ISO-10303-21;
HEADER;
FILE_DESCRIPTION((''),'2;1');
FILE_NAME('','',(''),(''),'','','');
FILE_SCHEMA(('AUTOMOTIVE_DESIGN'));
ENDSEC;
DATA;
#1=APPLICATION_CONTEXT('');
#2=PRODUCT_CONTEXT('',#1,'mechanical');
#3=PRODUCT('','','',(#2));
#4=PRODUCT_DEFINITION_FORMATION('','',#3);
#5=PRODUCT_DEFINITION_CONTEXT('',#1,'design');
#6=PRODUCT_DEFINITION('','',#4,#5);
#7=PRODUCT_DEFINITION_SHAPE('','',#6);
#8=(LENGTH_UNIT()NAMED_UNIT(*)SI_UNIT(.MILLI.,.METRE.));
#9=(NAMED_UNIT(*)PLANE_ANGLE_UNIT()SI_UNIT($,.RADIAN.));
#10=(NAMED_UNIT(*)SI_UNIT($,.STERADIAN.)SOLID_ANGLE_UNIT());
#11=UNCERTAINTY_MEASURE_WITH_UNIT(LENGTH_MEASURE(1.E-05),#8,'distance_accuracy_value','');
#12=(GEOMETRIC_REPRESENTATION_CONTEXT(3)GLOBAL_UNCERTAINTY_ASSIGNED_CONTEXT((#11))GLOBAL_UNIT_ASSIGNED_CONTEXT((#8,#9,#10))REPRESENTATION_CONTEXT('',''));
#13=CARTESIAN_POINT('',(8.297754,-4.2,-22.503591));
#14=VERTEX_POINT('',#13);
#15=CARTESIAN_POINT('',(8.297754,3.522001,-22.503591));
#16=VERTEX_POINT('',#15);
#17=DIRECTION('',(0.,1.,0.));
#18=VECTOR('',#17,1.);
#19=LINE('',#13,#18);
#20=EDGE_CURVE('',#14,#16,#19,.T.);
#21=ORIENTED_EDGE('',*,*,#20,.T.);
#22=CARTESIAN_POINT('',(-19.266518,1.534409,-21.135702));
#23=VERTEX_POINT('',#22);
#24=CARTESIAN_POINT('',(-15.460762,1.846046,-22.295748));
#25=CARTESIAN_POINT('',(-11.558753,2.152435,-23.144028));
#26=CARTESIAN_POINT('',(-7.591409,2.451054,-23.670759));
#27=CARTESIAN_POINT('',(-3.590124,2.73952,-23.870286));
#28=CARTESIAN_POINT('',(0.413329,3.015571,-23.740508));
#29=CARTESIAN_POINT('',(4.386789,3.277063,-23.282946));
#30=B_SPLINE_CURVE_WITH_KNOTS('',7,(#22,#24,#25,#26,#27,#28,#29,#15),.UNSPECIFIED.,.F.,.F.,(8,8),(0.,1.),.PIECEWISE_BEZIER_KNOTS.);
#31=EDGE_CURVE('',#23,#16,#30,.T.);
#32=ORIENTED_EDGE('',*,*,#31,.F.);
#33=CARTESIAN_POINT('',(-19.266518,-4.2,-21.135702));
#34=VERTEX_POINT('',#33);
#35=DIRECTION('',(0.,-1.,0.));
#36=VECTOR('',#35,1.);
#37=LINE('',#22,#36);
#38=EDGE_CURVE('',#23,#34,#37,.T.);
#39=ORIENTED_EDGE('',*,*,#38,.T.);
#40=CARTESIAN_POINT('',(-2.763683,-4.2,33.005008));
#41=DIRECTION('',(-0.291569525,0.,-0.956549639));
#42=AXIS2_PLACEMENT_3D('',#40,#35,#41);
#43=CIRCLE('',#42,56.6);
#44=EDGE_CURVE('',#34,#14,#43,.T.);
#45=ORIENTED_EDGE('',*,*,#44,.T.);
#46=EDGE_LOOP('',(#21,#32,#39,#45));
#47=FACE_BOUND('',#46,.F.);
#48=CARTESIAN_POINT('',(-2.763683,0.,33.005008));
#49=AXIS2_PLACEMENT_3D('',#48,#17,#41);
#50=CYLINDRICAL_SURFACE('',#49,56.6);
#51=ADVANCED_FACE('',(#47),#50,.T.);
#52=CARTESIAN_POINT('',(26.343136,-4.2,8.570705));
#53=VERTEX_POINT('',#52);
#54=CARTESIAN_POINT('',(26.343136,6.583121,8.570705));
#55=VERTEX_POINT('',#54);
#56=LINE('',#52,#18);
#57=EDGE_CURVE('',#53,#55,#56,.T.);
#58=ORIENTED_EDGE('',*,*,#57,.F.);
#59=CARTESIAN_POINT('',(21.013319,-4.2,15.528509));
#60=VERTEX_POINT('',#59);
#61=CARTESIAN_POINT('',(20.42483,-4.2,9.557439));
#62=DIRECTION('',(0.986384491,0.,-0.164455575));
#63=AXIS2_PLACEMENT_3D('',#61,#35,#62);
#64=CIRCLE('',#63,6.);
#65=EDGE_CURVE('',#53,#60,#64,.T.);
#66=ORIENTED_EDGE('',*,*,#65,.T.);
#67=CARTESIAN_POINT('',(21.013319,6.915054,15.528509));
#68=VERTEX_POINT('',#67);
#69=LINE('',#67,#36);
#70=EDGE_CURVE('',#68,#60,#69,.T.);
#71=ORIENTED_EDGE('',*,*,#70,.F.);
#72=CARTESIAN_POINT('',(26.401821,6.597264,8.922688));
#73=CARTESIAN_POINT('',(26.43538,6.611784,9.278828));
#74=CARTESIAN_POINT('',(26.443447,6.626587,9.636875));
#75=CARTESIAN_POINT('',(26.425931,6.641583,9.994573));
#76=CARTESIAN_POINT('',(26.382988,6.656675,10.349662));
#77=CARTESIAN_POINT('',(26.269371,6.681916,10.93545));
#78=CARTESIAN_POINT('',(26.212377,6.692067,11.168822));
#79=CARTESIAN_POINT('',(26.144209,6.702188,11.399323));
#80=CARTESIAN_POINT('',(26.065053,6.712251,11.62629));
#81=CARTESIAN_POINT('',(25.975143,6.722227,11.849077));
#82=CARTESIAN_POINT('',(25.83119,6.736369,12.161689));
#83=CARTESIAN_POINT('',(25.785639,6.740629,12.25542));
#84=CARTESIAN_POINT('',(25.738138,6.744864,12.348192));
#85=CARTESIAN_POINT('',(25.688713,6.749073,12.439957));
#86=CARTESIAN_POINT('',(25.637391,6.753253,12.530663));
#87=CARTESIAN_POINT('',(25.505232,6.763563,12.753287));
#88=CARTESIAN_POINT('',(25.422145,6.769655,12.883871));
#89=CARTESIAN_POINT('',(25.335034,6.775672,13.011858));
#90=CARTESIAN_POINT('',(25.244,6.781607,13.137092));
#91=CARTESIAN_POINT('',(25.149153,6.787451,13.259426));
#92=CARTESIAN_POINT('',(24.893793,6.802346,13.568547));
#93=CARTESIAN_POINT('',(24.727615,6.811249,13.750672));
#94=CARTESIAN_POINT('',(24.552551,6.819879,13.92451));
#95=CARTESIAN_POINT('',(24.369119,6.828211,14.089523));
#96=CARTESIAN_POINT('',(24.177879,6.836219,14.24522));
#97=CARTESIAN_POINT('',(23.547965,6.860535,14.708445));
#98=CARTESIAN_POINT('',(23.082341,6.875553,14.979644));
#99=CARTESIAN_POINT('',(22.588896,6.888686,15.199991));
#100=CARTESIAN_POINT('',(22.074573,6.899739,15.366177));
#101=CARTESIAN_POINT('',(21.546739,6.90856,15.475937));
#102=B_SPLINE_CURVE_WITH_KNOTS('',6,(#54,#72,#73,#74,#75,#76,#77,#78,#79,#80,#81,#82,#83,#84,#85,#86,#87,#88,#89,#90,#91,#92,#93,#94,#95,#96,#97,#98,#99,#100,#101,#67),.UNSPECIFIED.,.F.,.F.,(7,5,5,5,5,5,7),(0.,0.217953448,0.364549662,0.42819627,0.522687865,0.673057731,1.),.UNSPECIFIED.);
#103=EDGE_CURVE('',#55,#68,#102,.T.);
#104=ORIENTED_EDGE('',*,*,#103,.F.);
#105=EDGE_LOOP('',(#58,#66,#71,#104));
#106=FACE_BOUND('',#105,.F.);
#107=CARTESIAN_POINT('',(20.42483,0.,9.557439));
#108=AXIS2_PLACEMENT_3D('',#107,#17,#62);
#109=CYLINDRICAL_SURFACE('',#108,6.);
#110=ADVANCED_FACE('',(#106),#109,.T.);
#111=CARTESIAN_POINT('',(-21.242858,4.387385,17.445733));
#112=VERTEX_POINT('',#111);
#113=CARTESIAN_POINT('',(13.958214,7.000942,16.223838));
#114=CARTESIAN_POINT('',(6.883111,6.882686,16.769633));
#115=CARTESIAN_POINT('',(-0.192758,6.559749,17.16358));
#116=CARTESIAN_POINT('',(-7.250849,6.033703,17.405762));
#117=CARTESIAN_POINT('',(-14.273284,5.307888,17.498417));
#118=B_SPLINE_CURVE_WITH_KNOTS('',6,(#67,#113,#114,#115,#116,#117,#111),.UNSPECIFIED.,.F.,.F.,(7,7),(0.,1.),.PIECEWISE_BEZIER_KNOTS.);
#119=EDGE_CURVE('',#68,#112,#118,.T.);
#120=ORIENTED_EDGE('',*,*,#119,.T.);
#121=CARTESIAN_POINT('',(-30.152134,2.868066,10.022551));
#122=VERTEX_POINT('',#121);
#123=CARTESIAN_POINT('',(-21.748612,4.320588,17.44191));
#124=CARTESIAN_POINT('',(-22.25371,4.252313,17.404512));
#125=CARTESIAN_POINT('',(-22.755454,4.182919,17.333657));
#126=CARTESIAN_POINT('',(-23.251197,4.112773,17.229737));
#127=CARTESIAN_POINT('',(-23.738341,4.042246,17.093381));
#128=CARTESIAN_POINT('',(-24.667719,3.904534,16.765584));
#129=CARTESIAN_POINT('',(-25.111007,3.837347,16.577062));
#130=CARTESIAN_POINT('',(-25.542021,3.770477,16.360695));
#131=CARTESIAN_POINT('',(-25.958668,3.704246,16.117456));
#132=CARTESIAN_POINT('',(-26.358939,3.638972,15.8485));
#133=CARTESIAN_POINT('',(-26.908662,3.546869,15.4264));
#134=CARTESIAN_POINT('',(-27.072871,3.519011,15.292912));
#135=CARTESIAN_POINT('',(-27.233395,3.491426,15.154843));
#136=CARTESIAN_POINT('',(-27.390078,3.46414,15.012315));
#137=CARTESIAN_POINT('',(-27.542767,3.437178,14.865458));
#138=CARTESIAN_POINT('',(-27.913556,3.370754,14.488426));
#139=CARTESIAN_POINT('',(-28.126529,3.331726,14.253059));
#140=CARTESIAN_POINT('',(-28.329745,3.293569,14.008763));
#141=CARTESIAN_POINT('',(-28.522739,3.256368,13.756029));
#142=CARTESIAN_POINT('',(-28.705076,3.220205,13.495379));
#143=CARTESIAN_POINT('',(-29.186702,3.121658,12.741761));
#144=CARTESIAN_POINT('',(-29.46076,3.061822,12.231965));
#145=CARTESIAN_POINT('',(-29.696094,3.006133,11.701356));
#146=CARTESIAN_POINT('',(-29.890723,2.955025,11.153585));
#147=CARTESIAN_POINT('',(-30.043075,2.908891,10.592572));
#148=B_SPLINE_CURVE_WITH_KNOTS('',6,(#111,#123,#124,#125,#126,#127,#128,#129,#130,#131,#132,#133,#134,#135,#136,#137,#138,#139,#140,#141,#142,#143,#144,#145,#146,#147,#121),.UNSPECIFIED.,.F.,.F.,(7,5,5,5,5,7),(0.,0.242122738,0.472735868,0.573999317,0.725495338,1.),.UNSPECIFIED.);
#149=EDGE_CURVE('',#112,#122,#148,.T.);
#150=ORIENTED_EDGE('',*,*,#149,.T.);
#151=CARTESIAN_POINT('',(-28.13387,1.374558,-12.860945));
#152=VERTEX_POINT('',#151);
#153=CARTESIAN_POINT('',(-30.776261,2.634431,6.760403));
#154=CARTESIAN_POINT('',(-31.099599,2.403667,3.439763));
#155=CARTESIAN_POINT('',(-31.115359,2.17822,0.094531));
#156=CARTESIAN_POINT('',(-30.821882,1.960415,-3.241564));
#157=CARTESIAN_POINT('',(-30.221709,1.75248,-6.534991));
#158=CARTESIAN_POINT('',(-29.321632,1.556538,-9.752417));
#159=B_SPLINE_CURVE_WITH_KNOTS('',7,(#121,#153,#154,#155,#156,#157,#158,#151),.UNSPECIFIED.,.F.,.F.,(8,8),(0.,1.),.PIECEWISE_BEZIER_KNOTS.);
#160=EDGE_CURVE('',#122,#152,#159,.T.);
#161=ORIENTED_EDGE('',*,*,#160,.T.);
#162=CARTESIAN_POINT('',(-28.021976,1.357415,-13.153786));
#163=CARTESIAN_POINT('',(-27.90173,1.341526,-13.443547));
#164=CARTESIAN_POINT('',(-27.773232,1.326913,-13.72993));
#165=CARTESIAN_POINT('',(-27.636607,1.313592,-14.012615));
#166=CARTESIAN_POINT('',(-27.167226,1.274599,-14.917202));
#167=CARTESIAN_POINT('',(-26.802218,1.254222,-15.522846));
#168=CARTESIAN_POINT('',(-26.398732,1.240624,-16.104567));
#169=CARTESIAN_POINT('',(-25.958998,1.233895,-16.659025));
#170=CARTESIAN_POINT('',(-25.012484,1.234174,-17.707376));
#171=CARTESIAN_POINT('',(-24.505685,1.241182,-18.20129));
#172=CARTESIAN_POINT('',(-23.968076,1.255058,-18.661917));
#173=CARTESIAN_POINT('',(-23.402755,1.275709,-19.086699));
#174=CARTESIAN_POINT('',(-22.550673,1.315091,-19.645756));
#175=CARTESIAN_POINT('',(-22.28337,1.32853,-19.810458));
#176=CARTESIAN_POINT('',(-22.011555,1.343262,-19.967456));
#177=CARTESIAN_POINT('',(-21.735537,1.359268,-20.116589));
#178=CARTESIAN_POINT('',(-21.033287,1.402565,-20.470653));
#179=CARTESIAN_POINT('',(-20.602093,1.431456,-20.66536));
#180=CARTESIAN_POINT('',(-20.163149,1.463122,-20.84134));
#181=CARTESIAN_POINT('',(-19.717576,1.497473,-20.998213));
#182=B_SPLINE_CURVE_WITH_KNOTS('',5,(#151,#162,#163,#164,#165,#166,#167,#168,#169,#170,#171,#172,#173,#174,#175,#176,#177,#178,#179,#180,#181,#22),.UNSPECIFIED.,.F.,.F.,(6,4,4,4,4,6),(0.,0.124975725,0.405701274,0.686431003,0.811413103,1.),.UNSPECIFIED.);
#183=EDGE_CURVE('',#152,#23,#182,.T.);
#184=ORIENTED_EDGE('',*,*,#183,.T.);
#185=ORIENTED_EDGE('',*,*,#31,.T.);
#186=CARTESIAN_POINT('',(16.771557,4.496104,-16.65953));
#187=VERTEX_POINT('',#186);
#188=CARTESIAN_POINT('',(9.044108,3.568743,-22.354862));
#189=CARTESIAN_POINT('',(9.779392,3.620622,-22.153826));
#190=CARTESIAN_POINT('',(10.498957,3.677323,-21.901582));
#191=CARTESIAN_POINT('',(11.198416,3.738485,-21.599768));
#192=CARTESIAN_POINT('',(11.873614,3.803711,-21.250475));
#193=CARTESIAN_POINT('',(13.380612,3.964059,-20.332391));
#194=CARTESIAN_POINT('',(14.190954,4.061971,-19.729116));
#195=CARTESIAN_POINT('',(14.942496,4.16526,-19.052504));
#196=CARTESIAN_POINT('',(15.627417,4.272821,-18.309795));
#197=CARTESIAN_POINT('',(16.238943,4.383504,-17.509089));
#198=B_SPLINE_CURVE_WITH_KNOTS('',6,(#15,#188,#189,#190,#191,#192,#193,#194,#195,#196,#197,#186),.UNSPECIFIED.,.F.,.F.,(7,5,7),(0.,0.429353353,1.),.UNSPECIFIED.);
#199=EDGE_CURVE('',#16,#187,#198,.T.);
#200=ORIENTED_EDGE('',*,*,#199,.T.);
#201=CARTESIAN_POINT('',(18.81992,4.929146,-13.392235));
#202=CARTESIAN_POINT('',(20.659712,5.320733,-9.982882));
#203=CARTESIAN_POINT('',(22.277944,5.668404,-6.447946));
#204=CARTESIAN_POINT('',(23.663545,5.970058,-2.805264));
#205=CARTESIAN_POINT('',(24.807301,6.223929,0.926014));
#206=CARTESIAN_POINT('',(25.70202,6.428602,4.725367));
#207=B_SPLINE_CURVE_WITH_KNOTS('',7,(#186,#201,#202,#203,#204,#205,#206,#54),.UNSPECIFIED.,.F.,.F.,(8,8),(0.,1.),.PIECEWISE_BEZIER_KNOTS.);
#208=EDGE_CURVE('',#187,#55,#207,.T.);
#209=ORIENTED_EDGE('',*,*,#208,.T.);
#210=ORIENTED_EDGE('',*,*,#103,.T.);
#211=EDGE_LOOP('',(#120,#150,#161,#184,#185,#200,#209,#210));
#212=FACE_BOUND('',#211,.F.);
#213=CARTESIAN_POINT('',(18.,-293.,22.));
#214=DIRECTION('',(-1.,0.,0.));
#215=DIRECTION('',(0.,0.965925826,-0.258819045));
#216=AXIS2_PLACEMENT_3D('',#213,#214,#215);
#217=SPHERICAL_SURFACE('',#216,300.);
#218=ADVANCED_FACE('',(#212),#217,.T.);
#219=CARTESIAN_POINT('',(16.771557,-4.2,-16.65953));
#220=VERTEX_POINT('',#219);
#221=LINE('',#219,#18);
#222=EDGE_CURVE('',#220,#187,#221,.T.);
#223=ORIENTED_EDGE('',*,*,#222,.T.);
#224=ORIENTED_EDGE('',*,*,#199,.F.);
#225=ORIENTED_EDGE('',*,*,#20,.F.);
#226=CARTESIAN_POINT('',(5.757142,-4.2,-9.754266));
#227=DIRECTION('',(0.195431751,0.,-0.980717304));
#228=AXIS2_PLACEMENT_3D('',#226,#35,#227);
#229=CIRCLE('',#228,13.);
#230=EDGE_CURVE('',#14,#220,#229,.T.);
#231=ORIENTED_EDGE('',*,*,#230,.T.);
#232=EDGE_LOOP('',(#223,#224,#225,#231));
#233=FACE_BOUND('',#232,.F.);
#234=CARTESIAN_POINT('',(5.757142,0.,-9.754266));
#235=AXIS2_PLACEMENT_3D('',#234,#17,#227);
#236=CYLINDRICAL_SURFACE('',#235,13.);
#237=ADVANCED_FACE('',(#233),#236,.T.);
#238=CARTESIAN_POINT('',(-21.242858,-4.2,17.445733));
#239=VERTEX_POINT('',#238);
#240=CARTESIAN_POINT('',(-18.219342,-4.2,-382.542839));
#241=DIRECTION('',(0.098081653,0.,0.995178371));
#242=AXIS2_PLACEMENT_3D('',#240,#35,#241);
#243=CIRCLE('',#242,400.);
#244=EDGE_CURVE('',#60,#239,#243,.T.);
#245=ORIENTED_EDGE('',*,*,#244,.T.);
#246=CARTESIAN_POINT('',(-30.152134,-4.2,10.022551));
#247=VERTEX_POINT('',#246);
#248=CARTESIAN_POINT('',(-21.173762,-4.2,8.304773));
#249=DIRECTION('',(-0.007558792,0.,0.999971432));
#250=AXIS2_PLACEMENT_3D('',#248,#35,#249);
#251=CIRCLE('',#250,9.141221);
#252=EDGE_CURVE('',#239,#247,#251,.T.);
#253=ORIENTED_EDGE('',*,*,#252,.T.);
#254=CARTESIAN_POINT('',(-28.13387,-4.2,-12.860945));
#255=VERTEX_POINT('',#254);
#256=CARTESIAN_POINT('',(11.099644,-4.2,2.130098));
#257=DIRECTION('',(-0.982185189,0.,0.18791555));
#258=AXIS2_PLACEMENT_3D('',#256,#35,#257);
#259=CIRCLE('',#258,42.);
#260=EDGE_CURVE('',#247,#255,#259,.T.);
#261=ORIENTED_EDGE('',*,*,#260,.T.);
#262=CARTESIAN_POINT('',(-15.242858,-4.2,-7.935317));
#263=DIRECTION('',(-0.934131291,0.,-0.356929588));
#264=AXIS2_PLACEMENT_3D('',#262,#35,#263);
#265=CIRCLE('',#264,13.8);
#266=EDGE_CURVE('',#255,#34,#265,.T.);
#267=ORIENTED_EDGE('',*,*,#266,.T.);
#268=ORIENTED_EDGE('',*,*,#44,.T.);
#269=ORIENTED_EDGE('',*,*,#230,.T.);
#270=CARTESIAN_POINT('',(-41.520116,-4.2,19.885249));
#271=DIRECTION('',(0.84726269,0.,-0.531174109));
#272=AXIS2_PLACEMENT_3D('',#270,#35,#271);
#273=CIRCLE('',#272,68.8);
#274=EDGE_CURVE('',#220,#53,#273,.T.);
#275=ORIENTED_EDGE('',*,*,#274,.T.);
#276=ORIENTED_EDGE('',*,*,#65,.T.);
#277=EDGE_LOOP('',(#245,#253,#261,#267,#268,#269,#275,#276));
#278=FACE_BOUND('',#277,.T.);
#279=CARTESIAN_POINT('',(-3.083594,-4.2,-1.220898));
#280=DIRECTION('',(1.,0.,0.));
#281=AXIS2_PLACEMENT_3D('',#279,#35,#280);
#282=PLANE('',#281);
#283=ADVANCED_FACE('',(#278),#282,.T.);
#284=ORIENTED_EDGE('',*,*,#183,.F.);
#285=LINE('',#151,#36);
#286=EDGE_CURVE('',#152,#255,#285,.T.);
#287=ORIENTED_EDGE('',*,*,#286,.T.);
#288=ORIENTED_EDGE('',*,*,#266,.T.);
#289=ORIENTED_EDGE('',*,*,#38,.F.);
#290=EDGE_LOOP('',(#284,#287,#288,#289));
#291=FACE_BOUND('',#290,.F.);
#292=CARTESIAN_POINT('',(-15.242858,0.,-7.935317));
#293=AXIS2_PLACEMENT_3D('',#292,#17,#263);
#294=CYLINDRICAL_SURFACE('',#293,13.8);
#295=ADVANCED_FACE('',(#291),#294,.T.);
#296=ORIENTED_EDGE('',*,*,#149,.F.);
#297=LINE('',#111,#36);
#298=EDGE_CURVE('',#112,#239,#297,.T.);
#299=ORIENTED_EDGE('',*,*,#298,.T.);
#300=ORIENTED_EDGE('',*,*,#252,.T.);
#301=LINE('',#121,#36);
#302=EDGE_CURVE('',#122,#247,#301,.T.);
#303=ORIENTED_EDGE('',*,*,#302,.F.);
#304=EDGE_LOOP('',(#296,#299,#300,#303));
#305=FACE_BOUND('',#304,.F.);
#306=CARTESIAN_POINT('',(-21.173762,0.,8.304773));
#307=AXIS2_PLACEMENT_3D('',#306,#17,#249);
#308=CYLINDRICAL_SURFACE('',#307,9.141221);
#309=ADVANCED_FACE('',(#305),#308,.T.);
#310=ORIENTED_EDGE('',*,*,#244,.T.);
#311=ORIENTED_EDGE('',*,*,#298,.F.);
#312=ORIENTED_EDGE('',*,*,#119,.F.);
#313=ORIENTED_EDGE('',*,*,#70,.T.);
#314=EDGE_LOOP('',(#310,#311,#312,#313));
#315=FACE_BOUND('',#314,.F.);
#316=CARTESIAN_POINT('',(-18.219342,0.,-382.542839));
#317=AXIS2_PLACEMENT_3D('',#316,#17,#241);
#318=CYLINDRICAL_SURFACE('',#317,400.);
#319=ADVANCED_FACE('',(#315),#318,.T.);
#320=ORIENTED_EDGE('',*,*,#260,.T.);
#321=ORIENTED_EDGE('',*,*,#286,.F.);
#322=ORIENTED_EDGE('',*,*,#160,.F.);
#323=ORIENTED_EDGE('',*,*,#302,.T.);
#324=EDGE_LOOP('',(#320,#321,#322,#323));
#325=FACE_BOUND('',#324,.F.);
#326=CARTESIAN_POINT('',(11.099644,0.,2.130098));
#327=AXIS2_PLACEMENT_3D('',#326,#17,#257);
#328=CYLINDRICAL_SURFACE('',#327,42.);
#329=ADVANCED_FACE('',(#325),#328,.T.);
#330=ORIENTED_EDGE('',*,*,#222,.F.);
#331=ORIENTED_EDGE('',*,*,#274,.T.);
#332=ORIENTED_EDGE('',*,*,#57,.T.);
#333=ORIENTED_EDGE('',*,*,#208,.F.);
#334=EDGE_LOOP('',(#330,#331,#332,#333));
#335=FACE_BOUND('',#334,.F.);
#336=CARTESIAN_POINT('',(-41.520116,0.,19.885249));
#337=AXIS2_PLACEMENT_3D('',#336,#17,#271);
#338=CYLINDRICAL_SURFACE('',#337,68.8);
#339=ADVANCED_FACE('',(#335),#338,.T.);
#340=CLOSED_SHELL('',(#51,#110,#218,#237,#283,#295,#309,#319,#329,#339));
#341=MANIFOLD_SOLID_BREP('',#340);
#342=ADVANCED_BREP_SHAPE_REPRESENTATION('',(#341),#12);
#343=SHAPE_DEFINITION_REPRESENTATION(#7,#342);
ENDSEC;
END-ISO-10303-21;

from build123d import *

# Parameters (mm, degrees)
F1_DEPTH      = 25
F4_ANGLE_BACK = 15
F4_ANGLE      = 30
F6_DEPTH      = 4.2


with BuildPart() as f1:
    # F0 (on Front) → F1 (new body)
    with BuildSketch(Plane.XZ):
        with BuildLine():
            ThreePointArc((26.3431364877, 8.5707053028), (25.1879544986, 13.2060879092), (21.0133194591, 15.5285089783))
            ThreePointArc((21.0133194591, 15.5285089783), (-0.0894086287, 17.0460813995), (-21.2428583947, 17.4457334904))
            ThreePointArc((-21.2428583947, 17.4457334904), (-27.0252643869, 15.3277245971), (-30.1521339791, 10.0225509634))
            ThreePointArc((-30.1521339791, 10.0225509634), (-30.737948683, -1.5598670025), (-28.1338702514, -12.8609448416))
            ThreePointArc((-28.1338702514, -12.8609448416), (-24.6579753008, -18.0246958087), (-19.2665178824, -21.1357015406))
            ThreePointArc((-19.2665178824, -21.1357015406), (-5.5690318774, -23.5254263951), (8.2977543738, -22.503591381))
            ThreePointArc((8.2977543738, -22.503591381), (13.1377213939, -20.4559972218), (16.7715565718, -16.6595298512))
            ThreePointArc((16.7715565718, -16.6595298512), (22.8064529235, -4.5182850542), (26.3431364877, 8.5707053028))
        make_face()
    extrude(amount=-F1_DEPTH)


with BuildPart() as f4:
    # F3 (on offset) → F4 (revolve)
    with BuildSketch(Plane.XY.offset(22), mode=Mode.PRIVATE) as f4_sk:
        with BuildLine():
            Line((-282, -293), (318, -293))
            ThreePointArc((318, -293), (18, 7), (-282, -293))
        make_face()
    revolve(f4_sk.sketch.rotate(Axis((18, -293, 22), (1, 0, 0)), -F4_ANGLE_BACK), axis=Axis((18, -293, 22), (1, 0, 0)), revolution_arc=F4_ANGLE)


with BuildPart() as f1_1:
    add(f1.part)

    # F5: intersect F4
    add(f4.part, mode=Mode.INTERSECT)

    # F6 (add): a face of the model
    f6_faces = [f1_1.faces().sort_by_distance(p)[0] for p in [
        (-3.417701973, 0, -1.7255808381),
    ]]
    extrude(f6_faces, amount=F6_DEPTH)


solid = f1_1.part
